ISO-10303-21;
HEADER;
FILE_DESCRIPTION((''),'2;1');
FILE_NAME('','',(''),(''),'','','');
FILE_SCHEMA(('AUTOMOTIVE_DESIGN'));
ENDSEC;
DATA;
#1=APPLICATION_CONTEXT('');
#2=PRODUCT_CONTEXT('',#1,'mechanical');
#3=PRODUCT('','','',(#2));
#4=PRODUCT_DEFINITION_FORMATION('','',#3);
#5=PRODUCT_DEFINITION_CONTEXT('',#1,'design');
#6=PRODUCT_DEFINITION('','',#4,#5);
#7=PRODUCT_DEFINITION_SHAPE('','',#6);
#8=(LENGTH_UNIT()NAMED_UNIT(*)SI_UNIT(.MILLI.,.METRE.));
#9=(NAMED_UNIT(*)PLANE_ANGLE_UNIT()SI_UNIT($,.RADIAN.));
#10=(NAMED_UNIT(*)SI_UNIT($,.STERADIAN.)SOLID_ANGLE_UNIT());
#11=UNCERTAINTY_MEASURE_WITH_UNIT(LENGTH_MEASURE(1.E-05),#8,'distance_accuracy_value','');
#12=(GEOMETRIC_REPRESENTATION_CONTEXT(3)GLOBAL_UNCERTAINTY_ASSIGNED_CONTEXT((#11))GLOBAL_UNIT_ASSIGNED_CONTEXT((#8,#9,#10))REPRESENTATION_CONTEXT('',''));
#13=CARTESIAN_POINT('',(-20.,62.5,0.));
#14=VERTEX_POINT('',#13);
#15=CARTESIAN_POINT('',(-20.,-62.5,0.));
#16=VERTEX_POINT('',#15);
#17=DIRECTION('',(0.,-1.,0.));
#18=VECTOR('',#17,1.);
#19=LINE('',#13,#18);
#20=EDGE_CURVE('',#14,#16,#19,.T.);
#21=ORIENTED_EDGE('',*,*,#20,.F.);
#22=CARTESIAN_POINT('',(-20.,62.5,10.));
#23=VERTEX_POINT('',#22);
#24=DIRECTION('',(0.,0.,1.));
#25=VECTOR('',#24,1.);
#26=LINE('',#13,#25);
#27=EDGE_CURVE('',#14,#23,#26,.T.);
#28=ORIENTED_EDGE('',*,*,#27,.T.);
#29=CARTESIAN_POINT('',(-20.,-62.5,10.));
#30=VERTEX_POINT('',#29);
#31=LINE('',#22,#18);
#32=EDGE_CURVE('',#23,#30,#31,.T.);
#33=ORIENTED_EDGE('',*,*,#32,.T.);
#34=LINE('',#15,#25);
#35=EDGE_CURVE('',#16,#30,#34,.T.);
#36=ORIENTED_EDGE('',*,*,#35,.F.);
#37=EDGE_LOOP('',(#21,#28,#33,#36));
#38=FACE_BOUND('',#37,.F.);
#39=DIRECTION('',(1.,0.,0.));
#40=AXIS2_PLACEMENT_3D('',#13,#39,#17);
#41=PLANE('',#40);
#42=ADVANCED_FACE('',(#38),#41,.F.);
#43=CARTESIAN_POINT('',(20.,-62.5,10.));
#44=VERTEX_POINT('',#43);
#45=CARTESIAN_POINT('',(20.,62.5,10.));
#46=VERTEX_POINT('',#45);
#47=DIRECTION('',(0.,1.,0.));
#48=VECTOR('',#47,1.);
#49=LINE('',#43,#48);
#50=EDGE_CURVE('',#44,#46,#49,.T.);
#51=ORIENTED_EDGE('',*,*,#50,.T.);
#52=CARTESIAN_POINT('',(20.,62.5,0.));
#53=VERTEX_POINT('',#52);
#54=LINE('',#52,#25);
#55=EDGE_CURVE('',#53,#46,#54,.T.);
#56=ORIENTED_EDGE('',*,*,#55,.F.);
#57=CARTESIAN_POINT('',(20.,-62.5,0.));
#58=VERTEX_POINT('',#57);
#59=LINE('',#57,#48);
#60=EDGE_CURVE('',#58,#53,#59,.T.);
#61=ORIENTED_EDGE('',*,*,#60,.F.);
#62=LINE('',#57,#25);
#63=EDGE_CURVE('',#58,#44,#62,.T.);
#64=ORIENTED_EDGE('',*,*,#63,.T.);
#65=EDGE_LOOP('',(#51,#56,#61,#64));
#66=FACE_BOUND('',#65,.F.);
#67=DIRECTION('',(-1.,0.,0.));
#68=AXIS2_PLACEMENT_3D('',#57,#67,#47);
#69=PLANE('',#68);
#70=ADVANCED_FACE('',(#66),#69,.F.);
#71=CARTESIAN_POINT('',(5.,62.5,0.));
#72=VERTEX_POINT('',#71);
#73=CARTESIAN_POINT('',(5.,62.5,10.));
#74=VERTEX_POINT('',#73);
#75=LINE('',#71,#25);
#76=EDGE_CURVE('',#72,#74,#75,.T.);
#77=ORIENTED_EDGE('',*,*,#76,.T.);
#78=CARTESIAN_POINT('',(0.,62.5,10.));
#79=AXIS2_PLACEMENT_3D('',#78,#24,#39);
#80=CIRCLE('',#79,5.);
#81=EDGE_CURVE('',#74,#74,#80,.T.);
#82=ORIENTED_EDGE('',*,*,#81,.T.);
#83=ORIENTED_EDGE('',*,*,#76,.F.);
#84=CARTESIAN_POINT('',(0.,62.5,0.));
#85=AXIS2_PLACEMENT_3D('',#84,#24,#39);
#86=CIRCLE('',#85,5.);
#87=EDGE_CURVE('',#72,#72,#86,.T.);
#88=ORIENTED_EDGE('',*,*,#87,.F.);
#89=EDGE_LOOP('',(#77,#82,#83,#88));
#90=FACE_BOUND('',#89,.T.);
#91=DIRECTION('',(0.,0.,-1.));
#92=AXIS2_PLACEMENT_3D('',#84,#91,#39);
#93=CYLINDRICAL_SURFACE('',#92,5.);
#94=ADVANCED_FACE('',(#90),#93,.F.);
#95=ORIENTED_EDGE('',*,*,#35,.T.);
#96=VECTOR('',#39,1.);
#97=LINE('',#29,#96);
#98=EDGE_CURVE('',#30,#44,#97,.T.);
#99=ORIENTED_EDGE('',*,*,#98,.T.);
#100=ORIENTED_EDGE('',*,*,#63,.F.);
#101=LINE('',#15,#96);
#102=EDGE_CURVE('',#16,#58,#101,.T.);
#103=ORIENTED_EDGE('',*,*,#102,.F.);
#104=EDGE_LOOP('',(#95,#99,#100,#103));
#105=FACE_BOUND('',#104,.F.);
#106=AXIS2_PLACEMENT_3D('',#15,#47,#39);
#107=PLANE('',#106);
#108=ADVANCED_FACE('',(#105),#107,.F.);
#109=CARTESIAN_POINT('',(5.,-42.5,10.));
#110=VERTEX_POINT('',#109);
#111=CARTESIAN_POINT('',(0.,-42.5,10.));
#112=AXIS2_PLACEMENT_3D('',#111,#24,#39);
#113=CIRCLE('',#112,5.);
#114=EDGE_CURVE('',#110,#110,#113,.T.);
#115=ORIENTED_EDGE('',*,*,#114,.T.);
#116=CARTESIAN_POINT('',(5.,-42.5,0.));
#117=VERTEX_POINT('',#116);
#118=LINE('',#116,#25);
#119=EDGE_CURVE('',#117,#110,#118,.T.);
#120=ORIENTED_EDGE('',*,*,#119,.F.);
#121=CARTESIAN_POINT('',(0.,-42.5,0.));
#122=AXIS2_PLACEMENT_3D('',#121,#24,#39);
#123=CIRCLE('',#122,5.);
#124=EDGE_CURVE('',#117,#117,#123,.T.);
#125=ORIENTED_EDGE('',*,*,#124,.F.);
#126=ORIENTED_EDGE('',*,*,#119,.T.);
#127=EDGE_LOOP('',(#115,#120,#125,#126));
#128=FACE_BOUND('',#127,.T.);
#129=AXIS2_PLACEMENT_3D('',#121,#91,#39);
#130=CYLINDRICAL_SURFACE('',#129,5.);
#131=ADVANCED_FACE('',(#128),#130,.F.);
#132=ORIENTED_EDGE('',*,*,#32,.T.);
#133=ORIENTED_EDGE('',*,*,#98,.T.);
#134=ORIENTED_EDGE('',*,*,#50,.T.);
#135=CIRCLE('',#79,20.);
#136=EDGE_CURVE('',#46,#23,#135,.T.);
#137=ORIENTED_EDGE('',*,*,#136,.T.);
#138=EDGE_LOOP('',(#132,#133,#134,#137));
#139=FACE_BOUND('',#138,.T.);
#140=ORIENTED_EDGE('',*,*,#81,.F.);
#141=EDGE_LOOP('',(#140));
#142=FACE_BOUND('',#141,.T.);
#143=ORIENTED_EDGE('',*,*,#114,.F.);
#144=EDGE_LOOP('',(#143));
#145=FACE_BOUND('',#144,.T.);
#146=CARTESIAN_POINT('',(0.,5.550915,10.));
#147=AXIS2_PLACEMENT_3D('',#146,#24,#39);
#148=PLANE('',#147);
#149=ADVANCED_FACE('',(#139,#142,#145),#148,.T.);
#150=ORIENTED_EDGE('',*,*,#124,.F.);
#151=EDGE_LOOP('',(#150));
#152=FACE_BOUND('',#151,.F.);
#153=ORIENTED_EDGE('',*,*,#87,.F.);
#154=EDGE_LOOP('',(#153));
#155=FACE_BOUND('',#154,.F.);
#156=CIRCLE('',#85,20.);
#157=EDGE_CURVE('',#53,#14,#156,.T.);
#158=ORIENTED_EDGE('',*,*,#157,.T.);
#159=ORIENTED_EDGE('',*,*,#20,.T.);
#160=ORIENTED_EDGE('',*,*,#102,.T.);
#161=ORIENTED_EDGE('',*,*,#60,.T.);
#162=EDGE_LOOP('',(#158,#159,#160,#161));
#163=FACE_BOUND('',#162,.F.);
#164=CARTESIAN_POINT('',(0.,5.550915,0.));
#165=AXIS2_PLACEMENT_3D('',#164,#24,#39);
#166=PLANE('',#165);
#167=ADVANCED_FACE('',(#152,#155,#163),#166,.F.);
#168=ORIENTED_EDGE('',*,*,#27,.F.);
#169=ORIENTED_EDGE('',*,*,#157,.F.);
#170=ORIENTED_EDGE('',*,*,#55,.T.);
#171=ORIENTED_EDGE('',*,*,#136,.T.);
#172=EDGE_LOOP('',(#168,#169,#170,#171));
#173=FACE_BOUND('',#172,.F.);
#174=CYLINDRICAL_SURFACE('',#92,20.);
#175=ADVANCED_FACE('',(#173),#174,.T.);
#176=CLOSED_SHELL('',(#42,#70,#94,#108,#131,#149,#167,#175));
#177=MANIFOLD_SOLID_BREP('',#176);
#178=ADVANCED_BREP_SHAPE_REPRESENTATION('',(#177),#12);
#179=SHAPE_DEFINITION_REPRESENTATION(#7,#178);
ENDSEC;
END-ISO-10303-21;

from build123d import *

# Parameters (mm, degrees)
F0_R     = 5
F1_DEPTH = 10


with BuildPart() as f1:
    # F0 (on Top) → F1 (new body)
    with BuildSketch(Plane.XY):
        with BuildLine():
            Line((-20, -62.5), (20, -62.5))
            Line((20, -62.5), (20, 62.5))
            ThreePointArc((20, 62.5), (0, 82.5), (-20, 62.5))
            Line((-20, 62.5), (-20, -62.5))
        make_face()
        with Locations((0, -42.5)):
            Circle(F0_R, mode=Mode.SUBTRACT)
        with Locations((0, 62.5)):
            Circle(F0_R, mode=Mode.SUBTRACT)
    extrude(amount=F1_DEPTH)


solid = f1.part
